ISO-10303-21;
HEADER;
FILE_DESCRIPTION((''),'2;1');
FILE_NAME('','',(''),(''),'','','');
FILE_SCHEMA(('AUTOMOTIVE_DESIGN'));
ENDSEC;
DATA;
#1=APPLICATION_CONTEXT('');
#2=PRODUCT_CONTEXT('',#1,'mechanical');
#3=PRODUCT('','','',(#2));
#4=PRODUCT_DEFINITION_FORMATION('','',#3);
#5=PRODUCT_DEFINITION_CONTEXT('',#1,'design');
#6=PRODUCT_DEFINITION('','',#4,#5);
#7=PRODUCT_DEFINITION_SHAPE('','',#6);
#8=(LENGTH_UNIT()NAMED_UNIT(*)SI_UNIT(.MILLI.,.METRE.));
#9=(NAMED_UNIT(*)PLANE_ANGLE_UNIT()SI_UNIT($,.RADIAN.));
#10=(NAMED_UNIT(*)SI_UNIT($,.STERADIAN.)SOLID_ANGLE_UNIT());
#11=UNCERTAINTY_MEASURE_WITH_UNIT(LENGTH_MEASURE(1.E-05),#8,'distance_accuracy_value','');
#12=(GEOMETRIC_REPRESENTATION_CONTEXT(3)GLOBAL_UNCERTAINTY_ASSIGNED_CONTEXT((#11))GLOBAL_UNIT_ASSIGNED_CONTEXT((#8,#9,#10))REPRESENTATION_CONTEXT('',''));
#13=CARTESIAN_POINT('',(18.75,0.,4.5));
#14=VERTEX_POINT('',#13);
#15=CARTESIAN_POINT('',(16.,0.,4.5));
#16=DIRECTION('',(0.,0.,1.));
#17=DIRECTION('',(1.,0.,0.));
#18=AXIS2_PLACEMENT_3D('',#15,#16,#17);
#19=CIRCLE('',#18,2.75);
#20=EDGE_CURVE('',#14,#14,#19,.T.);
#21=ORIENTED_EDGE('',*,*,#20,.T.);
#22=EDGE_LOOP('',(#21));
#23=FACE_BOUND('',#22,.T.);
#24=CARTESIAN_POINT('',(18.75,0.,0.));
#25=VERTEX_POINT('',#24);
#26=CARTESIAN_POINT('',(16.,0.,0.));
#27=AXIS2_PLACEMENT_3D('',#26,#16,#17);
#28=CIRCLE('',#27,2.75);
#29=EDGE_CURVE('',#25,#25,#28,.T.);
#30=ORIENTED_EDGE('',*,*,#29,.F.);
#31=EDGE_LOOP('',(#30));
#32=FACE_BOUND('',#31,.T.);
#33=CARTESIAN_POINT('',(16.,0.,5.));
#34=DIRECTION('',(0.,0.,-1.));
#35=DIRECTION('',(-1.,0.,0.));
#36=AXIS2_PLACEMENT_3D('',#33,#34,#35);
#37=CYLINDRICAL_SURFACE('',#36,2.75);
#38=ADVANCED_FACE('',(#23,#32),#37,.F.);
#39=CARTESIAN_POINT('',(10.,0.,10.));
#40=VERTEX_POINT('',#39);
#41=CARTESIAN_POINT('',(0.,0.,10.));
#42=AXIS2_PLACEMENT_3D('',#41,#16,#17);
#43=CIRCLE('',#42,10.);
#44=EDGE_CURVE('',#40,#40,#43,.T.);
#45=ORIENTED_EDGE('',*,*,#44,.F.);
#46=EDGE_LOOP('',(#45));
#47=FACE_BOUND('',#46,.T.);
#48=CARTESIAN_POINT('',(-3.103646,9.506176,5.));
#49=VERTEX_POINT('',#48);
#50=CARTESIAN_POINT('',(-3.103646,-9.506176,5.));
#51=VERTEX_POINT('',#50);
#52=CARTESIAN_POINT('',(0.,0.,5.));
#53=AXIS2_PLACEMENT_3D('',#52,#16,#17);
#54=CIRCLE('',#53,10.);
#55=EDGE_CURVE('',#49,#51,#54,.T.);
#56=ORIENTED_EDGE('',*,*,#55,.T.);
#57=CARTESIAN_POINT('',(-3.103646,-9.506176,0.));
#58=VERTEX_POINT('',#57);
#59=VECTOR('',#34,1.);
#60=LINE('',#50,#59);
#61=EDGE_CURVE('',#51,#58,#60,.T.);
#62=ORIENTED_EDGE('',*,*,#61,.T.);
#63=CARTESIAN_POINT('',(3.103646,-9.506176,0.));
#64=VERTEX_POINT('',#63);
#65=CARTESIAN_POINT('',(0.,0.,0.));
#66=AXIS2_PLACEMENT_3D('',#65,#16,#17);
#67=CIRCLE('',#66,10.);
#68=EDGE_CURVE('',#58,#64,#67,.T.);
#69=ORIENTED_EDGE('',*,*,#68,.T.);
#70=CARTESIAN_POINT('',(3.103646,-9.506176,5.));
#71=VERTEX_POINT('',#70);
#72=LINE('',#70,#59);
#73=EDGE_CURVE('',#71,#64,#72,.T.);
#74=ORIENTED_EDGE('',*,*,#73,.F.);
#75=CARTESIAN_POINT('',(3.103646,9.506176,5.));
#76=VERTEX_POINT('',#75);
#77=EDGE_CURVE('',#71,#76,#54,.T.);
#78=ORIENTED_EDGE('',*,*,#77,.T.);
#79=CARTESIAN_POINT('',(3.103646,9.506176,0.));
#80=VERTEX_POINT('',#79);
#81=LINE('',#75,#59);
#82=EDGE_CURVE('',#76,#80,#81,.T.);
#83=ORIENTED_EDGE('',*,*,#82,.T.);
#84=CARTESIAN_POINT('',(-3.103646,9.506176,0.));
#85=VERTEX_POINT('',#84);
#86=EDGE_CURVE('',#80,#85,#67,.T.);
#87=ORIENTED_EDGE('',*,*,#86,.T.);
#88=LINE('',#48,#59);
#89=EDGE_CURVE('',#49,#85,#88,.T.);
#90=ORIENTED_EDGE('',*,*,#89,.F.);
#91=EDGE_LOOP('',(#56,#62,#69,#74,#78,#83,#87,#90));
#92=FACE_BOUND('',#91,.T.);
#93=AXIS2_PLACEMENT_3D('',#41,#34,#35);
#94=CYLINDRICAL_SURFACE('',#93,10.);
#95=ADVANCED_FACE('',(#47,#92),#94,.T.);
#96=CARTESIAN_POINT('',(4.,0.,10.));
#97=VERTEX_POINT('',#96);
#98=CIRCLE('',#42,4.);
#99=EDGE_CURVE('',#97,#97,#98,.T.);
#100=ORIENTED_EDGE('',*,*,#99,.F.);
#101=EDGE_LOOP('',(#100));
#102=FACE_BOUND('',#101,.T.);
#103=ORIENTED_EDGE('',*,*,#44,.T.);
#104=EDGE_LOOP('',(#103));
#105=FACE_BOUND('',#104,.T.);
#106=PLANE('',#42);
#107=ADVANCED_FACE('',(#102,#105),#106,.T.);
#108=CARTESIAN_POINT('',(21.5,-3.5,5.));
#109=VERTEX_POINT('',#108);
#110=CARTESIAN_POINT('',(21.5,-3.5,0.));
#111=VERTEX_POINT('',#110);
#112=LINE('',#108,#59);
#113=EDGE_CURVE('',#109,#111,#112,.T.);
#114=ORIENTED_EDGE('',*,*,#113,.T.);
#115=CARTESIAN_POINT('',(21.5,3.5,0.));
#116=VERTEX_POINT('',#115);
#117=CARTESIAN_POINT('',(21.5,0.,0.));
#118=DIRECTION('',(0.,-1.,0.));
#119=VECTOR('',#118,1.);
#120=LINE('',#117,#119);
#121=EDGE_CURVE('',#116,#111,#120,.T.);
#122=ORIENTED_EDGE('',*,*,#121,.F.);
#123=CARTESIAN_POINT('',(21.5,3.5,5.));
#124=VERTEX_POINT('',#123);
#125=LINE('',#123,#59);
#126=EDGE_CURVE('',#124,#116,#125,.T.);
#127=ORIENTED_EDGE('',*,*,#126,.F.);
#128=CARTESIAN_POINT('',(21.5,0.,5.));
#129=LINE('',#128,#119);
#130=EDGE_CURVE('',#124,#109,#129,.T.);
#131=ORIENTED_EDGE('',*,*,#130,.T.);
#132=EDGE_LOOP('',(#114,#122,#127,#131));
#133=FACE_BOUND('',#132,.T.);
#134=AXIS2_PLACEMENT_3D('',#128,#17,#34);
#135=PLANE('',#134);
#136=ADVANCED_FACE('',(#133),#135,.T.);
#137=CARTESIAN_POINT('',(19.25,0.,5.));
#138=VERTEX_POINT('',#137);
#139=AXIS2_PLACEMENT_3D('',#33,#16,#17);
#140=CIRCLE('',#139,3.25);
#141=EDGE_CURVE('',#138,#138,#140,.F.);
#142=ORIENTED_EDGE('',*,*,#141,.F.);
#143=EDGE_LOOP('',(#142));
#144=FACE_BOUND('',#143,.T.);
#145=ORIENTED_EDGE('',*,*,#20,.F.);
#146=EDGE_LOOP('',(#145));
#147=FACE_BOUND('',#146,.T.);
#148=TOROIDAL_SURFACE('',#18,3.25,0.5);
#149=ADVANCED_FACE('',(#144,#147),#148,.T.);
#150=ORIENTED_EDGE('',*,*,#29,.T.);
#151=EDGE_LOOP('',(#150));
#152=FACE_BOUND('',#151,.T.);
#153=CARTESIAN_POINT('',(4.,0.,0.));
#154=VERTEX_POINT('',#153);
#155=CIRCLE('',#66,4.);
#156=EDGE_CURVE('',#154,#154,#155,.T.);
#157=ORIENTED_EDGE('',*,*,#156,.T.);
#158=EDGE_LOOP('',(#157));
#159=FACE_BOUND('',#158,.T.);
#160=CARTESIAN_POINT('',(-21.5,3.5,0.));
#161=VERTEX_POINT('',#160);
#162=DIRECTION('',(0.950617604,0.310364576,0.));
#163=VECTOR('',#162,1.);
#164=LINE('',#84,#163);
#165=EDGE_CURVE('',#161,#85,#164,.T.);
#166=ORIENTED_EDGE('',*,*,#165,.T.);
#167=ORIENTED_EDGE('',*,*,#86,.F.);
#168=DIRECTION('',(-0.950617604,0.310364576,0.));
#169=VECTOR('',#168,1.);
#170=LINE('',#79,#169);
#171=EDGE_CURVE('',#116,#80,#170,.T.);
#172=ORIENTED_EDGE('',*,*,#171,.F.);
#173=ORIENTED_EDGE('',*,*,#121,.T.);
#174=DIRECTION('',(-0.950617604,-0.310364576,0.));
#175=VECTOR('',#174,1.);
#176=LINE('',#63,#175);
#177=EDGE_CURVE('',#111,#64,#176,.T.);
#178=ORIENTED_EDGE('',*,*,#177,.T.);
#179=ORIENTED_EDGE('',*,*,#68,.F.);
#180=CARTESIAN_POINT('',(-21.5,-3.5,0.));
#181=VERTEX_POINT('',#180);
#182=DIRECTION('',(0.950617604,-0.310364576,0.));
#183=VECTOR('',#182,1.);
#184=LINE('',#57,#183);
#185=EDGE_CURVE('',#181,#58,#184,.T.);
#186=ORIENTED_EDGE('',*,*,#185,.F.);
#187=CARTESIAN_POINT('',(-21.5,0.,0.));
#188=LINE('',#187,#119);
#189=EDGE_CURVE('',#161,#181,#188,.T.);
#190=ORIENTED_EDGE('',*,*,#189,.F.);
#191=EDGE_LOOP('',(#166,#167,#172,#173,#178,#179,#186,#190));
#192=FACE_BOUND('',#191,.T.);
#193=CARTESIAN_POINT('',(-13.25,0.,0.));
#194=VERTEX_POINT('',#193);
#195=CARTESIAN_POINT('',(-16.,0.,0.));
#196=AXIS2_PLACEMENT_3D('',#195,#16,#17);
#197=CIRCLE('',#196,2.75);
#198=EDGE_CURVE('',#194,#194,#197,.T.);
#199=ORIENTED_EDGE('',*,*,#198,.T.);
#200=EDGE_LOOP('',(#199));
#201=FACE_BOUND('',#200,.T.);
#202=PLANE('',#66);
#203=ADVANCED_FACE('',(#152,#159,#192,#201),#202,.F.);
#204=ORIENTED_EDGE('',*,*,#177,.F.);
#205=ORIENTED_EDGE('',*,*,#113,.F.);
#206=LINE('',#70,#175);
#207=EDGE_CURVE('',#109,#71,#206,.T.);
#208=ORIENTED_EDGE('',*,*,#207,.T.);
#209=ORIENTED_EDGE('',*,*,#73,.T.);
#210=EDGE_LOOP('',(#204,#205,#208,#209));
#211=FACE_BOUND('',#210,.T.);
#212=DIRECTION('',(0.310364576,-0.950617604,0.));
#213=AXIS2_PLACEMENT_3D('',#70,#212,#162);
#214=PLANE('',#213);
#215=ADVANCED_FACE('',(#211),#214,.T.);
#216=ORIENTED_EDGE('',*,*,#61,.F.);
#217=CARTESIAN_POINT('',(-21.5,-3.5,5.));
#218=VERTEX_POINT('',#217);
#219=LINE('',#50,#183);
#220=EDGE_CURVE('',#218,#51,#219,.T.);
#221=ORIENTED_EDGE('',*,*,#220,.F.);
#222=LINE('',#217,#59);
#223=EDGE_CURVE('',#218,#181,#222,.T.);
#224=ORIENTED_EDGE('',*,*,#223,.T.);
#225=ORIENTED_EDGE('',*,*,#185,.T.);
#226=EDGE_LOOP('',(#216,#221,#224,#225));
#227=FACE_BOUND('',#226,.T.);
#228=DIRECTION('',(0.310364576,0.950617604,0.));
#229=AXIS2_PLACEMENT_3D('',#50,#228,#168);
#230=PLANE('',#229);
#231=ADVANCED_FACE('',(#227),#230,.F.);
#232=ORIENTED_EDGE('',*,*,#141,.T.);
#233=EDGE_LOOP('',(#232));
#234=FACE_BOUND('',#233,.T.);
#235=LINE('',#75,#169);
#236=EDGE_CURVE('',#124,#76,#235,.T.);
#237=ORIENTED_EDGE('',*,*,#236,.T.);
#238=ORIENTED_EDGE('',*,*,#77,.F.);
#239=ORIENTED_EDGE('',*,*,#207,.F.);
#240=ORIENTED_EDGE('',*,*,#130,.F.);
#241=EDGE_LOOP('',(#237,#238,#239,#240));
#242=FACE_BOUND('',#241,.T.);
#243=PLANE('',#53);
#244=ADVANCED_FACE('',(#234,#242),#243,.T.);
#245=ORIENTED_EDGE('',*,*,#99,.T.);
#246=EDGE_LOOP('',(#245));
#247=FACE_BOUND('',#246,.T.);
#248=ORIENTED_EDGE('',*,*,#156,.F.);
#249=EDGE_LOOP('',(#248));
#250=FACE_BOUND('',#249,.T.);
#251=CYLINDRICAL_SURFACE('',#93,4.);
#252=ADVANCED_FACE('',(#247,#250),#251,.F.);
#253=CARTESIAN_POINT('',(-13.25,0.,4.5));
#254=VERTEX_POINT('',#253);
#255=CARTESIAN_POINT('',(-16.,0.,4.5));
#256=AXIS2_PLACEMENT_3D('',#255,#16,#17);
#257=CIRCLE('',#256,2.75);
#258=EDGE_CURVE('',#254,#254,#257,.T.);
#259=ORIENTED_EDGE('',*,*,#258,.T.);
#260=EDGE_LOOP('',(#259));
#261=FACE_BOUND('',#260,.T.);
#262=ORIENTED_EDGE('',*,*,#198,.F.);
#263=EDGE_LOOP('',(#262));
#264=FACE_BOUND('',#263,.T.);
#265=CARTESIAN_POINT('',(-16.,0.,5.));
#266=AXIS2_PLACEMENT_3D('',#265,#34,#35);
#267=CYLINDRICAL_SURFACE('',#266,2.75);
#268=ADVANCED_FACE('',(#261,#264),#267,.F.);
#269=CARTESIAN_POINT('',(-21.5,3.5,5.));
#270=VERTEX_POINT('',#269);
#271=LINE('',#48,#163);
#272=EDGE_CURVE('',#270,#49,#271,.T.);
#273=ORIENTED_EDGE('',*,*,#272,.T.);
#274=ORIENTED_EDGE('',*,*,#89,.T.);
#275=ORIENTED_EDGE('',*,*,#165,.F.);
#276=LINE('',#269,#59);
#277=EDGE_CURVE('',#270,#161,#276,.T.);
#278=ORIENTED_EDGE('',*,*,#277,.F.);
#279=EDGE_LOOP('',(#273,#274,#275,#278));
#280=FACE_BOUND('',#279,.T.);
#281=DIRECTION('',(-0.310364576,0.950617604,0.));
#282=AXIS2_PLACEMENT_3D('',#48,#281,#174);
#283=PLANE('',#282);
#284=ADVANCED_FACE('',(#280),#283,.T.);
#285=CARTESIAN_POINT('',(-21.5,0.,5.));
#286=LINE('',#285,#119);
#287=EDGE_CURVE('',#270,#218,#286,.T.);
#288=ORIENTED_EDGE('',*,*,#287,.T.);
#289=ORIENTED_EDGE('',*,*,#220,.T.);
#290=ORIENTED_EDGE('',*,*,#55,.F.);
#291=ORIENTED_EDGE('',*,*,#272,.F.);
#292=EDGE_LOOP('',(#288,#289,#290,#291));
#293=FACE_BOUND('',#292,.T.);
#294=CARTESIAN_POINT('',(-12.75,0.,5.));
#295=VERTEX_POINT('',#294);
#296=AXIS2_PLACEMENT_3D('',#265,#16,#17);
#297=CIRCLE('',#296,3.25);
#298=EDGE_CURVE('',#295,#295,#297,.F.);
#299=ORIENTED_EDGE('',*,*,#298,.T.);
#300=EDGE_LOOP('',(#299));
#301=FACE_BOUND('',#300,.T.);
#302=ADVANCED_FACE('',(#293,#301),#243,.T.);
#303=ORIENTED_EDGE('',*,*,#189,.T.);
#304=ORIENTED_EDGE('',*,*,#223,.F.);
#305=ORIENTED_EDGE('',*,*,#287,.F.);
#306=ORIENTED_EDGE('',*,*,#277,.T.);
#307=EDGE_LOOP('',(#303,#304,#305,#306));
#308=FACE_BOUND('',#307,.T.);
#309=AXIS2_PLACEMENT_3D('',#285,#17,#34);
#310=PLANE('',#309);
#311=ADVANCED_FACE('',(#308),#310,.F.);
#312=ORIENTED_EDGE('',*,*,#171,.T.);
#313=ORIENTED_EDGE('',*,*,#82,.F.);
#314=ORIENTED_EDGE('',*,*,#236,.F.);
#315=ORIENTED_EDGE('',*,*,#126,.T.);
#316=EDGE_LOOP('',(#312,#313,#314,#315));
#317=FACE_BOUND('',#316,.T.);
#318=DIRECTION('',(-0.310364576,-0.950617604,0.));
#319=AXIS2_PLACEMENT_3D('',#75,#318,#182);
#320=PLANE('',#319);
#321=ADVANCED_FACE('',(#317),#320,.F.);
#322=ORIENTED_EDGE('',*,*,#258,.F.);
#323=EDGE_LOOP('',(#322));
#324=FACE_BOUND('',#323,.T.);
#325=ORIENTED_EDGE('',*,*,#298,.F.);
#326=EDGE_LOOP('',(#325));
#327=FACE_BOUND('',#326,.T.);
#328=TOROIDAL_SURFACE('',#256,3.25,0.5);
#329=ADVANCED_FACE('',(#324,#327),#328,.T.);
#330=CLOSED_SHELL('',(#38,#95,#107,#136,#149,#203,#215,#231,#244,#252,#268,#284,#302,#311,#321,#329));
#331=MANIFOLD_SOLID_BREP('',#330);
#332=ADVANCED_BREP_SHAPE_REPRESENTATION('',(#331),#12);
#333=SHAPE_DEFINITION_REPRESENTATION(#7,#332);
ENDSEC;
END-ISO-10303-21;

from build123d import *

# Parameters (mm, degrees)
SKETCH_1_R        = 2.75
EXTRUDE_1_DEPTH   = 5
EXTRUDE_1_2_DEPTH = 5
SKETCH_2_R        = 10
SKETCH_2_R_2      = 4
EXTRUDE_2_DEPTH   = 10
FILLET_2_R        = 0.5
FILLET_3_R        = 0.5


with BuildPart() as part:
    # 草图1 → 凸台-拉伸1 (new body)
    with BuildSketch(Plane.XY):
        with BuildLine():
            Line((21.5, 3.5), (3.10364576, 9.506176045))
            ThreePointArc((3.10364576, 9.506176045), (8.094333129, 5.872118119), (10, 0))
            ThreePointArc((10, 0), (8.094333129, -5.872118119), (3.10364576, -9.506176045))
            Line((3.10364576, -9.506176045), (21.5, -3.5))
            Line((21.5, -3.5), (21.5, 3.5))
        make_face()
        with Locations((16, 0)):
            Circle(SKETCH_1_R, mode=Mode.SUBTRACT)
    extrude(amount=EXTRUDE_1_DEPTH)



with BuildPart() as body_2:
    # 草图1 → Extrude 1 2 (new body)
    with BuildSketch(Plane.XY):
        with BuildLine():
            Line((-3.10364576, 9.506176045), (-21.5, 3.5))
            Line((-21.5, 3.5), (-21.5, -3.5))
            Line((-21.5, -3.5), (-3.10364576, -9.506176045))
            ThreePointArc((-3.10364576, -9.506176045), (-10, 0), (-3.10364576, 9.506176045))
        make_face()
        with Locations((-16, 0)):
            Circle(SKETCH_1_R, mode=Mode.SUBTRACT)
    extrude(amount=EXTRUDE_1_2_DEPTH)


with BuildPart() as part_1:
    add(part.part)

    add(body_2.part)  # 凸台-拉伸2 merges body 2
    # 草图2 → 凸台-拉伸2 (add)
    with BuildSketch(Plane.XY):
        with Locations(Location((0, 0, 0), (0, 0, 108.081202901))):
            Circle(SKETCH_2_R)
        Circle(SKETCH_2_R_2, mode=Mode.SUBTRACT)
    extrude(amount=EXTRUDE_2_DEPTH)

    # 圆角2
    fillet_2_edges = [part_1.edges().sort_by_distance(p)[0] for p in [
        (-18.75, 0, 5),
    ]]
    fillet(fillet_2_edges, radius=FILLET_2_R)

    # 圆角3
    fillet_3_edges = [part_1.edges().sort_by_distance(p)[0] for p in [
        (13.25, 0, 5),
    ]]
    fillet(fillet_3_edges, radius=FILLET_3_R)


solid = part_1.part
